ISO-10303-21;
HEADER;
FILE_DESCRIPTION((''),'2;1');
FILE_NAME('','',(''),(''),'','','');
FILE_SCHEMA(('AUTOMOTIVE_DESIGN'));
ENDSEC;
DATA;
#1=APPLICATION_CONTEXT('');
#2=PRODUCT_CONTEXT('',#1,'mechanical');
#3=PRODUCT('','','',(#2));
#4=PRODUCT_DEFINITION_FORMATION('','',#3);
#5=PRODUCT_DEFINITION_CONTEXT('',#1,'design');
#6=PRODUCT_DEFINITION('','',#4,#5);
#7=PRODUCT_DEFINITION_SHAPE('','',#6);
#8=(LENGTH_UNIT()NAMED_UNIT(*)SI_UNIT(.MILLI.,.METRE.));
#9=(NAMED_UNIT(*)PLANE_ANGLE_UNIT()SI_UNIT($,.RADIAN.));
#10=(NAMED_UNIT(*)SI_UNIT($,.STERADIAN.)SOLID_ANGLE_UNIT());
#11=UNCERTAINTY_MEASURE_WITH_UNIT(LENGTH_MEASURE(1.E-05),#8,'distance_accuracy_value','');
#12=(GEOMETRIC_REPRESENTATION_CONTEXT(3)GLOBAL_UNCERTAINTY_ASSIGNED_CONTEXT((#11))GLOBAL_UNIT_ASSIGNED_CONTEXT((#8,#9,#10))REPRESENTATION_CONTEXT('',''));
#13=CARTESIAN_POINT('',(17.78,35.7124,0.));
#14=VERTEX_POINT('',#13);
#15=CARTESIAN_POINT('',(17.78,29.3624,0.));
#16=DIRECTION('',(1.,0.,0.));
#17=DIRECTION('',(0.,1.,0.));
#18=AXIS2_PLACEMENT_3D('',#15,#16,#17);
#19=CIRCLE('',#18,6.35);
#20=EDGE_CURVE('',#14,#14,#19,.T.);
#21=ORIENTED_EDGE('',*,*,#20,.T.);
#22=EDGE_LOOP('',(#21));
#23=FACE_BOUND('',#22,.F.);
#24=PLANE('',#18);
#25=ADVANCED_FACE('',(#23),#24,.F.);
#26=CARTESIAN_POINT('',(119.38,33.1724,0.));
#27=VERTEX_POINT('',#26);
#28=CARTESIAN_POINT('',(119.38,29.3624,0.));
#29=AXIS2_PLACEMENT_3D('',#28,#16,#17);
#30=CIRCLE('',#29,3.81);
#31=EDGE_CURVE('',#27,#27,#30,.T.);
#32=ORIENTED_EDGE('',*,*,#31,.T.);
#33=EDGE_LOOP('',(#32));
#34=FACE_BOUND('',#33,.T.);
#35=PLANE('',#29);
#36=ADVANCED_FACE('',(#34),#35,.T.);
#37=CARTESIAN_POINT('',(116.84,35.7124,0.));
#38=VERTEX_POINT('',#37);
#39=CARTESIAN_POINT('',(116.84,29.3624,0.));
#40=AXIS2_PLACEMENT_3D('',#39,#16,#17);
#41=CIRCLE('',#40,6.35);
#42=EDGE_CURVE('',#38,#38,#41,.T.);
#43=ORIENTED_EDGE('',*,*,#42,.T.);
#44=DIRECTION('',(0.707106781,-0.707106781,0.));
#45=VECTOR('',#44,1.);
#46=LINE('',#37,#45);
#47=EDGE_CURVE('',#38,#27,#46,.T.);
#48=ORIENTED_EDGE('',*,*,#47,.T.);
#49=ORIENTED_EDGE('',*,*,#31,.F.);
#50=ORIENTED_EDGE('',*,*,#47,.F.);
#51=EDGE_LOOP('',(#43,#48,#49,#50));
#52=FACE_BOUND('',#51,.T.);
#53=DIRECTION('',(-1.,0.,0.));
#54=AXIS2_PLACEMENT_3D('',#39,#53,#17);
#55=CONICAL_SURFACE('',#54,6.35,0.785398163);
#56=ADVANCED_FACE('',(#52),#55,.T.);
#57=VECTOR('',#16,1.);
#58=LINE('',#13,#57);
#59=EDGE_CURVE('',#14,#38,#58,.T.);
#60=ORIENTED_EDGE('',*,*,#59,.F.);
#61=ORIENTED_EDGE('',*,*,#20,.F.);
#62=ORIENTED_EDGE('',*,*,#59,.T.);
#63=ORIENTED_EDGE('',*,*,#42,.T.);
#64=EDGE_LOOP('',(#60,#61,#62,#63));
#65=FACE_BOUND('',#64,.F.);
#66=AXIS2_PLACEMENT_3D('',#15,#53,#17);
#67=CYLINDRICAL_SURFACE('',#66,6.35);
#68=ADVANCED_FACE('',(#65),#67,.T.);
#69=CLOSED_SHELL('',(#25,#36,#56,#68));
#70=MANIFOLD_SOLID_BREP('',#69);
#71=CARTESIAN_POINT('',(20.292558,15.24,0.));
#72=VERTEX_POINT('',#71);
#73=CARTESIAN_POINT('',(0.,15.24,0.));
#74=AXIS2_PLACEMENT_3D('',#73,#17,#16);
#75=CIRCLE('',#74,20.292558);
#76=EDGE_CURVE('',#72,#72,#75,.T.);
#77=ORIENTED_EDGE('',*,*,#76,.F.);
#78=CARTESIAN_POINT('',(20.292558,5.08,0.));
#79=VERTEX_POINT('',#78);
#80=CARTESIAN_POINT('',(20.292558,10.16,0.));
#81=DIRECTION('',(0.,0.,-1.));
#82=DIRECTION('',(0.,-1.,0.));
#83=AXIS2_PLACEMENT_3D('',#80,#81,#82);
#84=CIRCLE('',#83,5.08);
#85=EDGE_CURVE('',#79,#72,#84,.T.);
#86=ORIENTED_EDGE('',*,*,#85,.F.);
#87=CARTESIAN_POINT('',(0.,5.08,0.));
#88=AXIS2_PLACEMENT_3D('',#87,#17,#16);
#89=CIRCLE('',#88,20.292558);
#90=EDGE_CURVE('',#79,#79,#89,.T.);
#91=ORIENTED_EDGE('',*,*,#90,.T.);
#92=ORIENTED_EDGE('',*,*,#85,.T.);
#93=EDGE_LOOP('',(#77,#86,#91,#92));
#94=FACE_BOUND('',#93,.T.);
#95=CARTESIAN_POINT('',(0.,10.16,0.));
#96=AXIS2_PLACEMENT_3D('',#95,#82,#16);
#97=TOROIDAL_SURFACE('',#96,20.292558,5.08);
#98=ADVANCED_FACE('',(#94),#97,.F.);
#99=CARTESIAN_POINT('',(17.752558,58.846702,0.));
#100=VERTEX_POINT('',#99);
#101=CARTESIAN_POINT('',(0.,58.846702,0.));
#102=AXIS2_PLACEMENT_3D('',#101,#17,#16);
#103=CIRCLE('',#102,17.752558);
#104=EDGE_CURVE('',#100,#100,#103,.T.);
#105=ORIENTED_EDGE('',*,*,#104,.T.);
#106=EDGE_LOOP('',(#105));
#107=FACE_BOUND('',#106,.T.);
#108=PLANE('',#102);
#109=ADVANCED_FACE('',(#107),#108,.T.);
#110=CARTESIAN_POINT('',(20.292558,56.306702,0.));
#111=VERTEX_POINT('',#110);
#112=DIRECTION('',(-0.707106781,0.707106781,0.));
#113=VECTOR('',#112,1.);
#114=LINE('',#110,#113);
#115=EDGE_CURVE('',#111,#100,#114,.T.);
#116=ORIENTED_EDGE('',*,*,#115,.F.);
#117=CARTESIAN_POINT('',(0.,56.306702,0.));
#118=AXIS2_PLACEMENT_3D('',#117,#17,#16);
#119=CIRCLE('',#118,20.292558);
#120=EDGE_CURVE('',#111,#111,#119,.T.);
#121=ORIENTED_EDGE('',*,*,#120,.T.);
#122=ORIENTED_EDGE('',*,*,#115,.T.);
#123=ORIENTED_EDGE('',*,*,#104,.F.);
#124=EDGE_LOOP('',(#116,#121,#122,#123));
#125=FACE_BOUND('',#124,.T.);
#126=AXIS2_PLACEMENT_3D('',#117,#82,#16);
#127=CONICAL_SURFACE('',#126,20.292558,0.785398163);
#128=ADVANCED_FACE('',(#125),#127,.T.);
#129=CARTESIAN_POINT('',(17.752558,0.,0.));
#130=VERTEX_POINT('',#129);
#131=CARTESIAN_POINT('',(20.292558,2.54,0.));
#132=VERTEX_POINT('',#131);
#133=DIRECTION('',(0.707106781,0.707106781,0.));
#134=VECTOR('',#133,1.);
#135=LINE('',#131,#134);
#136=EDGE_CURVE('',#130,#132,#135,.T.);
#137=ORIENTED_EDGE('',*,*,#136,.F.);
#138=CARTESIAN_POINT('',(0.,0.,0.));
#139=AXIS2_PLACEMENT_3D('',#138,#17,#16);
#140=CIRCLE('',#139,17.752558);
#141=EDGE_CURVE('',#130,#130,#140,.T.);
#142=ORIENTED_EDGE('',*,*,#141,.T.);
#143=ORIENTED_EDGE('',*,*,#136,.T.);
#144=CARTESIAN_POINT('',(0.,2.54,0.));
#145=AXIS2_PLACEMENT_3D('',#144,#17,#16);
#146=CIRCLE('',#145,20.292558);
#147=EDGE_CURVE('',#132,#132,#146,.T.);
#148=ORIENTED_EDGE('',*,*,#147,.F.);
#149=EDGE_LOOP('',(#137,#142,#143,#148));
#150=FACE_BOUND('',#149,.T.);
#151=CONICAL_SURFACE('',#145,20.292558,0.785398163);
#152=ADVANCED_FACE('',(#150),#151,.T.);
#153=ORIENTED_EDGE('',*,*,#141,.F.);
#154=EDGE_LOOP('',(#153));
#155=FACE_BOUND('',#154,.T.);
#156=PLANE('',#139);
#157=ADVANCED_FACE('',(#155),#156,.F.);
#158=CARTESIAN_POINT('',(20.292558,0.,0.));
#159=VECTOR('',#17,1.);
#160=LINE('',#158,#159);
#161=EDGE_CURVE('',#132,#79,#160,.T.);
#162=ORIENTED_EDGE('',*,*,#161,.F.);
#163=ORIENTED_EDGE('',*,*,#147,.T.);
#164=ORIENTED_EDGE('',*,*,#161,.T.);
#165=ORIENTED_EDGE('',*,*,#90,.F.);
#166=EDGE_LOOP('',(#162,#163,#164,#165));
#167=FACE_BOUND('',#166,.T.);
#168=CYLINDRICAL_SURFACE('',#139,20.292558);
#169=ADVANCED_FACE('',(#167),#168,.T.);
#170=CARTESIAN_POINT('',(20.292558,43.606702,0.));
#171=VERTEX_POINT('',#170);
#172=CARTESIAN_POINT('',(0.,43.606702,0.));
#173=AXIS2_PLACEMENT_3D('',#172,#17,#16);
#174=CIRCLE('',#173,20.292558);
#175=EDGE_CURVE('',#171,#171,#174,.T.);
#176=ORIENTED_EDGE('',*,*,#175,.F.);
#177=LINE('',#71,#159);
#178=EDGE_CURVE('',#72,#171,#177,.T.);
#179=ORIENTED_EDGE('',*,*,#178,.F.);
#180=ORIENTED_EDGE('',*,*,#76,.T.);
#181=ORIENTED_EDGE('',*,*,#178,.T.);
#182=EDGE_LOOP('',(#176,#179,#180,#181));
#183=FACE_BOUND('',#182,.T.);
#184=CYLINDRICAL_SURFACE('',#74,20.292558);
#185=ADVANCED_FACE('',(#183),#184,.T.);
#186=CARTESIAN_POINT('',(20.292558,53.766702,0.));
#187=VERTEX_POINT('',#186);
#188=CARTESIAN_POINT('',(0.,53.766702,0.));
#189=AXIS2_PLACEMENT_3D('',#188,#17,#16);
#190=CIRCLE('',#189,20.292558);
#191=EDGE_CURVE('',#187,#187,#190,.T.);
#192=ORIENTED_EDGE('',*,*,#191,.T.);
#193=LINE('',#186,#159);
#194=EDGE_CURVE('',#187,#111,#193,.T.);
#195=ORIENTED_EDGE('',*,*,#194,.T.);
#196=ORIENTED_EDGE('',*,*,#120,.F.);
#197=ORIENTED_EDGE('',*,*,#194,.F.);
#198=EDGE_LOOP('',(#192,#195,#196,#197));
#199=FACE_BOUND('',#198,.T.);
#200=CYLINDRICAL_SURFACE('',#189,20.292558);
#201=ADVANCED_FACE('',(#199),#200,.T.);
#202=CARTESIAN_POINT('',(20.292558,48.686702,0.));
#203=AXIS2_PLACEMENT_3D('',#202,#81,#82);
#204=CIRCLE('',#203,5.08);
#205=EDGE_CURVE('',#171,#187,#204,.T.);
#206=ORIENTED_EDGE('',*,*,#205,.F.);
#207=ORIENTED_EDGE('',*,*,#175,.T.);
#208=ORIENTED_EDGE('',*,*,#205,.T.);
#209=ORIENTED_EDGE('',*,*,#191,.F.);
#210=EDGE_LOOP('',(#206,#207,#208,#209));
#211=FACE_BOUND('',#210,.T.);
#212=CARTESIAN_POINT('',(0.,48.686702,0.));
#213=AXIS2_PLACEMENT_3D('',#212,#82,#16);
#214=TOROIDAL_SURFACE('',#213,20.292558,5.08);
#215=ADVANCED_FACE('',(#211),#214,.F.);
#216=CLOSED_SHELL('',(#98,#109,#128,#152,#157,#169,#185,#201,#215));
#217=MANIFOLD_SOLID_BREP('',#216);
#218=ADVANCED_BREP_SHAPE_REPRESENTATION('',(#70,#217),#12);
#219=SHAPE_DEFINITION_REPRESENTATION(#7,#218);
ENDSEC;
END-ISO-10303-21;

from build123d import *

# Parameters (mm, degrees)
F3_R      = 6.35
F4_DEPTH  = 101.6
F5_SIZE   = 2.54
F5_2_SIZE = 2.54


with BuildPart() as f1:
    # F0 (on Top) → F1 (revolve)
    with BuildSketch(Plane.XY):
        with BuildLine():
            Line((0, 58.846702), (0, 0))
            Line((0, 0), (20.292558, 0))
            Line((20.292558, 0), (20.292558, 5.08))
            ThreePointArc((20.292558, 5.08), (15.212558, 10.16), (20.292558, 15.24))
            Line((20.292558, 15.24), (20.292558, 43.606702))
            ThreePointArc((20.292558, 43.606702), (15.212558, 48.686702), (20.292558, 53.766702))
            Line((20.292558, 53.766702), (20.292558, 58.846702))
            Line((20.292558, 58.846702), (0, 58.846702))
        make_face()
    revolve(axis=Axis((0, 29.423351, 0), (0, 1, 0)))

    # F5
    f5_edges = [f1.edges().sort_by_distance(p)[0] for p in [
        (-20.292558, 0, 0),
        (-20.292558, 58.846702, 0),
    ]]
    chamfer(f5_edges, length=F5_SIZE)


with BuildPart() as f4:
    # F3 (on offset) → F4 (new body)
    with BuildSketch(Plane.YZ.offset(17.78)):
        with Locations((29.3624, 0)):
            Circle(F3_R)
    extrude(amount=F4_DEPTH)

    # F5#2
    f5_2_edges = [f4.edges().sort_by_distance(p)[0] for p in [
        (119.38, 23.0124, 0),
    ]]
    chamfer(f5_2_edges, length=F5_2_SIZE)


solid = Compound([f1.part, f4.part])
